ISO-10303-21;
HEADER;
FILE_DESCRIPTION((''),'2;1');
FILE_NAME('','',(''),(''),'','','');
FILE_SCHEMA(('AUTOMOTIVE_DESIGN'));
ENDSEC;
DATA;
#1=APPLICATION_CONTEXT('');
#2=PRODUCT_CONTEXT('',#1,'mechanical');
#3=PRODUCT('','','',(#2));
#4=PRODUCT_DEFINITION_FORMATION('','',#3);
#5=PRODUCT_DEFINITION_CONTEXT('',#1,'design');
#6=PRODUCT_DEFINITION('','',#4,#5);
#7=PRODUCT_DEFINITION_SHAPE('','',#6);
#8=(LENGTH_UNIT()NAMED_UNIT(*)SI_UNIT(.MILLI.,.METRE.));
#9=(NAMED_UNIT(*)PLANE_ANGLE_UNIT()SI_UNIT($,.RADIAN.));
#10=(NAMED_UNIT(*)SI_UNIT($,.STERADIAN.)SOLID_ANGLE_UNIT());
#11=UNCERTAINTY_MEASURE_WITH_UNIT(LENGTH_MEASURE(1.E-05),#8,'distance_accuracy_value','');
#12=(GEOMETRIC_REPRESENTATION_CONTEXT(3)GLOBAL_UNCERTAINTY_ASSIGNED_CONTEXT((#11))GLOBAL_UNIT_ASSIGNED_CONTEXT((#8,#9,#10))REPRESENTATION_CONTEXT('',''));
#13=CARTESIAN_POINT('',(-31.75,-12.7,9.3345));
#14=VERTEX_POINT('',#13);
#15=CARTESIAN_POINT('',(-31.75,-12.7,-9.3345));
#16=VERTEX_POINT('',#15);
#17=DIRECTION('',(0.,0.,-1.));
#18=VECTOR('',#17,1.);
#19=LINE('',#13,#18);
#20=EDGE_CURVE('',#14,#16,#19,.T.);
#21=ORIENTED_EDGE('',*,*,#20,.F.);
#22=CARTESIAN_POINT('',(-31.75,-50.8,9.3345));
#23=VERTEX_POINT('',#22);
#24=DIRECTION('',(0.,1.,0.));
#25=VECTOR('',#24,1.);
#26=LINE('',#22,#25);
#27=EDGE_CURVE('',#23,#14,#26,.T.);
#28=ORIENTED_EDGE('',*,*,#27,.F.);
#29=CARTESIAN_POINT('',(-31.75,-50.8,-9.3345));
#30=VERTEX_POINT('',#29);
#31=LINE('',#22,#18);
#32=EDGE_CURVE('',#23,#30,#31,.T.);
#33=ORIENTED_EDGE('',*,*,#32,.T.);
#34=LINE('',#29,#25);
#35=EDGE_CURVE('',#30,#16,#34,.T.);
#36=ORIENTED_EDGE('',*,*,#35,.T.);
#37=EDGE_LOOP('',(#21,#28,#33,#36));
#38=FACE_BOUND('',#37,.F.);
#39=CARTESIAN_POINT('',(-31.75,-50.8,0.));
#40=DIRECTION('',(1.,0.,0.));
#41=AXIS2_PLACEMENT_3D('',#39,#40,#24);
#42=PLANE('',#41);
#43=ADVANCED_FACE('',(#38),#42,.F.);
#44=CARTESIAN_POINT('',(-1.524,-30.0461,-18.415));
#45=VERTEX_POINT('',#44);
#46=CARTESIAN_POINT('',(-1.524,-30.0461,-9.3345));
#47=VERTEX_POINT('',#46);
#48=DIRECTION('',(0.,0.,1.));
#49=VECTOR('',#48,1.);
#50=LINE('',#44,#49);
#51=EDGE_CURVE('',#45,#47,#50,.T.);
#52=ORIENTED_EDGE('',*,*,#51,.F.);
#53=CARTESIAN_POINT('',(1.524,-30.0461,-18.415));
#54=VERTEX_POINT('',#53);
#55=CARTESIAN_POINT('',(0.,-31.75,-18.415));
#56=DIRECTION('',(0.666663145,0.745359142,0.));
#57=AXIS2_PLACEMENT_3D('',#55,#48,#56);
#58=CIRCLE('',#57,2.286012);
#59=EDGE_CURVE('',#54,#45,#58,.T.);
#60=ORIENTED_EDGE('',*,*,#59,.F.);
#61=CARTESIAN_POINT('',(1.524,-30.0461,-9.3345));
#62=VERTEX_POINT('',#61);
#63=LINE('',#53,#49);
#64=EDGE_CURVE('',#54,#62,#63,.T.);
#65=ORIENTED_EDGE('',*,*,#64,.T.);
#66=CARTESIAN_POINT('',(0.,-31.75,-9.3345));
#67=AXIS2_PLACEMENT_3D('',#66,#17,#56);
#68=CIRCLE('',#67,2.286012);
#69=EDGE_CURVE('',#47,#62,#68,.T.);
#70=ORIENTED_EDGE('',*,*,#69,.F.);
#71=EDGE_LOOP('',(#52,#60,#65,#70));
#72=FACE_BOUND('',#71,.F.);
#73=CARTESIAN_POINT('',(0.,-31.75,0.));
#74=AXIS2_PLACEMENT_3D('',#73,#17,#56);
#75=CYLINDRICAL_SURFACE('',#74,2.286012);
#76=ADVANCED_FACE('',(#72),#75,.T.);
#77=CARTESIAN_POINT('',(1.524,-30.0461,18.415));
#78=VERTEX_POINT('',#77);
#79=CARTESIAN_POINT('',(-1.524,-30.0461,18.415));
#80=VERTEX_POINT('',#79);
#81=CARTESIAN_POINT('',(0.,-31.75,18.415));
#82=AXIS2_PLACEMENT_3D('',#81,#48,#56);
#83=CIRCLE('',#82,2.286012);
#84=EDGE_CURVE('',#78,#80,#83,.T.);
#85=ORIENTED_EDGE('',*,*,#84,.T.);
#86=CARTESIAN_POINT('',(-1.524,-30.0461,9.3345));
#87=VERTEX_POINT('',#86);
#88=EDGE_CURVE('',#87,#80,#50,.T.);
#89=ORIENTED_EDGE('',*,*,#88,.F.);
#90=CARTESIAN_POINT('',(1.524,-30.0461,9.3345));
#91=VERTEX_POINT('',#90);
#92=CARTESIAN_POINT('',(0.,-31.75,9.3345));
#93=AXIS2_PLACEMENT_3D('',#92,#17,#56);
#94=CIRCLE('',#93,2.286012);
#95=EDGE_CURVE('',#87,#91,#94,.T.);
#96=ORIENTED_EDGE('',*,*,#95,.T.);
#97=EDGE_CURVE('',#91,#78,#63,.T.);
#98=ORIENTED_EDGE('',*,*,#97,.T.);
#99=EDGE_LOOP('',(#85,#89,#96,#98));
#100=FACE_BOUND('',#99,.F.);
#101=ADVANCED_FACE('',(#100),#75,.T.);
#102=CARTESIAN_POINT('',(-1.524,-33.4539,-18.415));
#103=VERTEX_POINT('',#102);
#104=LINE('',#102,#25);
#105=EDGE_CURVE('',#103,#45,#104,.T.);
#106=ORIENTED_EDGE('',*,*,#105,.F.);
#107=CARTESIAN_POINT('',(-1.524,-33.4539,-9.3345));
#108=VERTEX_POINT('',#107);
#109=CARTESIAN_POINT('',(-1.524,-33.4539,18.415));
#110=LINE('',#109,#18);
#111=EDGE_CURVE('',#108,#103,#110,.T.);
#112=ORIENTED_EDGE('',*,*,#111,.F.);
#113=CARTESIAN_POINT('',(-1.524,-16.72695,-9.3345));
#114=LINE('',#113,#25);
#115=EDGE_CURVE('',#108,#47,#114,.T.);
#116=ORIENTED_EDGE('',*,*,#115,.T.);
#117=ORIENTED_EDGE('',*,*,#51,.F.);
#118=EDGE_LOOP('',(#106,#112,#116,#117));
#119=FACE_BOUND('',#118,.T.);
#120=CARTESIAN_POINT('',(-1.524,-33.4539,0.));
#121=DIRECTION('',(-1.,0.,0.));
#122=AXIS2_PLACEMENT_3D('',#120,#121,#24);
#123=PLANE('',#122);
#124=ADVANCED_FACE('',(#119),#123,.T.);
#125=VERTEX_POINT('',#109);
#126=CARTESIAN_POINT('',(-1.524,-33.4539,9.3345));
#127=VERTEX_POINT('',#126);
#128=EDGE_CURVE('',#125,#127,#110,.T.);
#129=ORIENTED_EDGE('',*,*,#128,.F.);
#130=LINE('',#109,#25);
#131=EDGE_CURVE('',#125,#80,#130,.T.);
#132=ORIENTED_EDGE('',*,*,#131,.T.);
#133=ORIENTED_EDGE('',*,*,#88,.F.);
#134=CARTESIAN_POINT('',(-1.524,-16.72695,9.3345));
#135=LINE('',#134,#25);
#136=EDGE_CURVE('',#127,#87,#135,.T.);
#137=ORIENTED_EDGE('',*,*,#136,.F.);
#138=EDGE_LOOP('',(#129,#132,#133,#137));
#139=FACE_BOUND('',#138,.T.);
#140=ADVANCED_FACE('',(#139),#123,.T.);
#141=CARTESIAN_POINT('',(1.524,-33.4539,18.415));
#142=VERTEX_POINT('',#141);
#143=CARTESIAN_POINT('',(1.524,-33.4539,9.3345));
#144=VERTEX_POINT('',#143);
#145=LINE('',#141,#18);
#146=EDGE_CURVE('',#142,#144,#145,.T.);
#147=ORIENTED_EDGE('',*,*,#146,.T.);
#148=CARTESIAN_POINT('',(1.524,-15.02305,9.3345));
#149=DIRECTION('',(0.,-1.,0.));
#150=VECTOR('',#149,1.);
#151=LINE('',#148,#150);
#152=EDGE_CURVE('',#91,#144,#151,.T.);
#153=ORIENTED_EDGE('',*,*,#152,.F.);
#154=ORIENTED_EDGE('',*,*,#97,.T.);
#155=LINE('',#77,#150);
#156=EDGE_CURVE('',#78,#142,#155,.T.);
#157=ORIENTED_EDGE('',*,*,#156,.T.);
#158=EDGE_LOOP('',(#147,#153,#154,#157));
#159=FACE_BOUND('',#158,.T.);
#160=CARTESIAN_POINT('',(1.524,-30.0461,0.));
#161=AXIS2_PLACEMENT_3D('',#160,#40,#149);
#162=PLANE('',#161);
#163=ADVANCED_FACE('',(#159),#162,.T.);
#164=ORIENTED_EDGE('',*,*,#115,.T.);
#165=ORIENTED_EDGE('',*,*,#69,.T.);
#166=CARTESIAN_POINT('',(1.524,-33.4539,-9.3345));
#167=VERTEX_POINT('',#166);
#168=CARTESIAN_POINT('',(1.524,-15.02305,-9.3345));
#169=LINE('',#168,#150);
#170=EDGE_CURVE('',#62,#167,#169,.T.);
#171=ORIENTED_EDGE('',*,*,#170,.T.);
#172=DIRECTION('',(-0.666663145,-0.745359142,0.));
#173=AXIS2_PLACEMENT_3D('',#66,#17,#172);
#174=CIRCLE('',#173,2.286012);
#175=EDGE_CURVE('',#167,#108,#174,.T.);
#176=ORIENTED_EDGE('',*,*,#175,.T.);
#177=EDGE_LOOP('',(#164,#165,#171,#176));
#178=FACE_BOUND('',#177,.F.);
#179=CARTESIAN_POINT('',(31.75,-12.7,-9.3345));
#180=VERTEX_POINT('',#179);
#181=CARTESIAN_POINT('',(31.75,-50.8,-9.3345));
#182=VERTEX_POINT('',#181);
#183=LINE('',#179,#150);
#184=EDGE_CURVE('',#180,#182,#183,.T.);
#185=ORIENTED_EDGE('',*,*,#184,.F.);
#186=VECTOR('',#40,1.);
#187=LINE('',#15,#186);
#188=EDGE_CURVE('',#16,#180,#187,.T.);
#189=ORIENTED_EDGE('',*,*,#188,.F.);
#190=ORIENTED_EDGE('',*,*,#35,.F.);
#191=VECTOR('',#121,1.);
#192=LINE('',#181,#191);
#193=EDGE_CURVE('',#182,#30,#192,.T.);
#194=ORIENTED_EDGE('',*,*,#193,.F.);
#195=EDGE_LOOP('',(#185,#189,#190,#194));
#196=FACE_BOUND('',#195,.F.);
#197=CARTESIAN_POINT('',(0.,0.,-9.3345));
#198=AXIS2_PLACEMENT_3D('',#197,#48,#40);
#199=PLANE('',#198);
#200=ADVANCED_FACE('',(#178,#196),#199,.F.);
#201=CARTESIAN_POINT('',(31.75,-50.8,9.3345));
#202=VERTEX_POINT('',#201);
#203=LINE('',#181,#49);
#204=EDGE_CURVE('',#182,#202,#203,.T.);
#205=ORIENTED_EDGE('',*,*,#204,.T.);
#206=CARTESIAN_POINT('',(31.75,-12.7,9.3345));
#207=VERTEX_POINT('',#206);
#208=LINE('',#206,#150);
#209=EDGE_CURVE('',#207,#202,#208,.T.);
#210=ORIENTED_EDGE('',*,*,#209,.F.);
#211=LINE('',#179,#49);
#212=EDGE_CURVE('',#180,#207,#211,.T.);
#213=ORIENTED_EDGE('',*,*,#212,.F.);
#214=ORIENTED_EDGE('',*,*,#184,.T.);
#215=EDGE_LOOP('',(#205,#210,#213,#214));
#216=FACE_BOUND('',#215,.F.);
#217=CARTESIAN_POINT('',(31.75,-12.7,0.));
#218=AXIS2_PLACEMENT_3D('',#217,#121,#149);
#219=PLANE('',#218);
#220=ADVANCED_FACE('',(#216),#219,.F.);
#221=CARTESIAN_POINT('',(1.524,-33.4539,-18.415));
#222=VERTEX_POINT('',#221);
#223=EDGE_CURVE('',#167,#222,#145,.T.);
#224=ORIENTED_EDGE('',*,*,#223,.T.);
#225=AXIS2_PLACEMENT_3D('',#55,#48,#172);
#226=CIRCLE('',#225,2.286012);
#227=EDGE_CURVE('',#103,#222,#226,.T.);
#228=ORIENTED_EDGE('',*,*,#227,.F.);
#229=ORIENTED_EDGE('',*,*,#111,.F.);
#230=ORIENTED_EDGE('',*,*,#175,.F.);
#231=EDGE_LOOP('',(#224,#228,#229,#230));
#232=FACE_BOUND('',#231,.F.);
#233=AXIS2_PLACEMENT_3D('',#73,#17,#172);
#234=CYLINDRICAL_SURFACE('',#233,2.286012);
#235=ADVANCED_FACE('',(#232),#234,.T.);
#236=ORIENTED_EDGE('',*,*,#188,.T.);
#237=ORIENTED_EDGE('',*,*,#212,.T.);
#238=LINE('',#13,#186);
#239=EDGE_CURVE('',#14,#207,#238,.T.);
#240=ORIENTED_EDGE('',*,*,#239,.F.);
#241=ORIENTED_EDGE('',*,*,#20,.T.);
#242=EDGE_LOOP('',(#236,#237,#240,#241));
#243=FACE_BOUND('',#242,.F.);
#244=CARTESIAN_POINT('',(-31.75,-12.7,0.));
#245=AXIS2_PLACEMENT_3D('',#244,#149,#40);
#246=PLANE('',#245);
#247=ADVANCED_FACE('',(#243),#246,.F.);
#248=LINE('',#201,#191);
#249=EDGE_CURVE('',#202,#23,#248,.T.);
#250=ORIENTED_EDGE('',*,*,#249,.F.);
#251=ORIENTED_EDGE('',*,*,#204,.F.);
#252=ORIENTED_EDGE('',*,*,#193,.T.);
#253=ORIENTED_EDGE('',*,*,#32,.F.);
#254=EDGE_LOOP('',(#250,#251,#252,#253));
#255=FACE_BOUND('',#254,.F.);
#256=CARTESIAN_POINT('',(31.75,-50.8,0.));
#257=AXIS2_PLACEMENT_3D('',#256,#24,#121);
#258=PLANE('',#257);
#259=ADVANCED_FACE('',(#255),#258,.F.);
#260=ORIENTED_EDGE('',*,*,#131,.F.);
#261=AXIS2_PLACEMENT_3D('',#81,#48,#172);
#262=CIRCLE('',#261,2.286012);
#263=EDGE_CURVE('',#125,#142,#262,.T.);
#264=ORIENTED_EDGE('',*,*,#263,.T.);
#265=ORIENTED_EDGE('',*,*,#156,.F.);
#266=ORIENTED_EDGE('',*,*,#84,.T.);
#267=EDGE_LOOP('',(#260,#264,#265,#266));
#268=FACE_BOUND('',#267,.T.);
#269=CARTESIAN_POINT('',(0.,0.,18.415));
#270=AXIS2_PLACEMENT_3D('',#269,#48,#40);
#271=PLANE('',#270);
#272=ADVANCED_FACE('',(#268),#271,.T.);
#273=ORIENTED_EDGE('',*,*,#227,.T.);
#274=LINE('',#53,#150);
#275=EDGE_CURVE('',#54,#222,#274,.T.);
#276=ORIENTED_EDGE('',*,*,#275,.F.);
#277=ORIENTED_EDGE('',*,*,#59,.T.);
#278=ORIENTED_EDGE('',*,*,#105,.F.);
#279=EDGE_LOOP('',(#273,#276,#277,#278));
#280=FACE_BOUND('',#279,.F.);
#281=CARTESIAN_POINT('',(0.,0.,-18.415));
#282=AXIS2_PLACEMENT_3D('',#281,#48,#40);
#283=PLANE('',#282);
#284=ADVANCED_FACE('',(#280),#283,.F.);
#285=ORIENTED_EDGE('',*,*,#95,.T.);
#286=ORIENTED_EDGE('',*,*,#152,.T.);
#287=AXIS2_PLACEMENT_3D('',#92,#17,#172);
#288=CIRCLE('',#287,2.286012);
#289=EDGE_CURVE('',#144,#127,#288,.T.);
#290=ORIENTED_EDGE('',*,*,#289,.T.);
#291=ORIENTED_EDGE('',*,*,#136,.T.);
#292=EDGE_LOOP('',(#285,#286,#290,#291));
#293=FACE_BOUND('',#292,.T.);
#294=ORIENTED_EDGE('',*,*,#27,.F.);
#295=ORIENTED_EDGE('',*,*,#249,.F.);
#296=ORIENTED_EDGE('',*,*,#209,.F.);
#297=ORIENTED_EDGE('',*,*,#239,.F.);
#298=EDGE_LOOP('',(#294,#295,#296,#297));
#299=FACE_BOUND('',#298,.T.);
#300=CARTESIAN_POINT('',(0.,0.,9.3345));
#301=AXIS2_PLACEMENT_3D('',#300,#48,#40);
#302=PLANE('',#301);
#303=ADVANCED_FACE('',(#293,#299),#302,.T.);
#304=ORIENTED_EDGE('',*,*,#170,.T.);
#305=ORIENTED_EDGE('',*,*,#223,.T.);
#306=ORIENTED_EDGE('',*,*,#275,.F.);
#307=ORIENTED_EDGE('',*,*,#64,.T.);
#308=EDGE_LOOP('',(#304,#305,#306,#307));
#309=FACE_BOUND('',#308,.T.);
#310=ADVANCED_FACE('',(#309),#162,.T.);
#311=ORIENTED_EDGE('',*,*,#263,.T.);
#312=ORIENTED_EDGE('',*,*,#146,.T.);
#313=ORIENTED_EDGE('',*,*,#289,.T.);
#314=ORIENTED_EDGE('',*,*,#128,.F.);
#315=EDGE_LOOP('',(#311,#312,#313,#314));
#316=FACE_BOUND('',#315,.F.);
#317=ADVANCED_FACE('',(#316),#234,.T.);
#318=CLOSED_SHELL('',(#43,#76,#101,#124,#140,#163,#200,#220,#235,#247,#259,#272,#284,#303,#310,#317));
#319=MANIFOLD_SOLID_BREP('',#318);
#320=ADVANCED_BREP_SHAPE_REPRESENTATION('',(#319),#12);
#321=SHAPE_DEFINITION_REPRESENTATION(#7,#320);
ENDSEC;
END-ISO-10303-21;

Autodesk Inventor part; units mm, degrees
ref_plane "YZ Plane" through (0, 0, 0) normal (1, 0, 0) x (0, 1, 0)
ref_plane "XZ Plane" through (0, 0, 0) normal (0, 1, 0) x (-1, 0, 0)
ref_plane "XY Plane" through (0, 0, 0) normal (0, 0, 1) x (1, 0, 0)
sketch "Sketch1" plane through (0, 0, 0) normal (0, 0, 1) x (1, 0, 0)
  arc A0 (1.778, -29.9361) -> (-1.778, -29.9361) centre (0, -31.75) ccw construction
  line L0 (1.778, -29.9361) -> (1.778, -33.5639) construction
  arc A1 (-1.778, -33.5639) -> (1.778, -33.5639) centre (0, -31.75) ccw construction
  line L1 (-1.778, -33.5639) -> (-1.778, -29.9361) construction
  line L2 (1.778, -29.9361) -> (1.778, -33.5639) construction
  line L3 (-1.778, -29.9361) -> (-1.778, -33.5639) construction
  arc A2 (1.778, -29.9361) -> (-1.778, -29.9361) centre (0, -31.75) ccw construction
  arc A3 (-1.778, -33.5639) -> (1.778, -33.5639) centre (0, -31.75) ccw construction
  arc A4 (1.524, -30.0461) -> (-1.524, -30.0461) centre (0, -31.75) ccw
  line L4 (1.524, -30.0461) -> (1.524, -33.4539)
  arc A5 (-1.524, -33.4539) -> (1.524, -33.4539) centre (0, -31.75) ccw
  line L5 (-1.524, -33.4539) -> (-1.524, -30.0461)
  point P0 (0, 0)
  point P1 (0, -34.29)
  point P2 (0, -29.21)
  dimension "d0" = 0.254
extrude "Extrusion1" add sketch "Sketch1" along normal mid plane 36.83
ref_plane "Work Plane1" through (0, 0, 0) normal (0, 0, 1) x (1, 0, 0)
sketch "Sketch2" plane through (0, 0, 0) normal (0, 0, 1) x (1, 0, 0)
  line L0 (31.75, -50.8) -> (-31.75, -50.8)
  line L1 (-31.75, -50.8) -> (-31.75, -12.7)
  line L2 (-31.75, -12.7) -> (31.75, -12.7)
  line L3 (31.75, -12.7) -> (31.75, -50.8)
  line L4 (31.75, -50.8) -> (-31.75, -12.7) construction
  line L5 (-31.75, -50.8) -> (31.75, -12.7) construction
  circle A0 centre (0, -31.75) radius 5.715 projected
  dimension "d5" = 63.5
  dimension "d6" = 38.1
extrude "Extrusion2" add sketch "Sketch2" along normal mid plane 18.669 contours L0 L1 L2 L3 | A0
properties part number "Geared_Motor"
